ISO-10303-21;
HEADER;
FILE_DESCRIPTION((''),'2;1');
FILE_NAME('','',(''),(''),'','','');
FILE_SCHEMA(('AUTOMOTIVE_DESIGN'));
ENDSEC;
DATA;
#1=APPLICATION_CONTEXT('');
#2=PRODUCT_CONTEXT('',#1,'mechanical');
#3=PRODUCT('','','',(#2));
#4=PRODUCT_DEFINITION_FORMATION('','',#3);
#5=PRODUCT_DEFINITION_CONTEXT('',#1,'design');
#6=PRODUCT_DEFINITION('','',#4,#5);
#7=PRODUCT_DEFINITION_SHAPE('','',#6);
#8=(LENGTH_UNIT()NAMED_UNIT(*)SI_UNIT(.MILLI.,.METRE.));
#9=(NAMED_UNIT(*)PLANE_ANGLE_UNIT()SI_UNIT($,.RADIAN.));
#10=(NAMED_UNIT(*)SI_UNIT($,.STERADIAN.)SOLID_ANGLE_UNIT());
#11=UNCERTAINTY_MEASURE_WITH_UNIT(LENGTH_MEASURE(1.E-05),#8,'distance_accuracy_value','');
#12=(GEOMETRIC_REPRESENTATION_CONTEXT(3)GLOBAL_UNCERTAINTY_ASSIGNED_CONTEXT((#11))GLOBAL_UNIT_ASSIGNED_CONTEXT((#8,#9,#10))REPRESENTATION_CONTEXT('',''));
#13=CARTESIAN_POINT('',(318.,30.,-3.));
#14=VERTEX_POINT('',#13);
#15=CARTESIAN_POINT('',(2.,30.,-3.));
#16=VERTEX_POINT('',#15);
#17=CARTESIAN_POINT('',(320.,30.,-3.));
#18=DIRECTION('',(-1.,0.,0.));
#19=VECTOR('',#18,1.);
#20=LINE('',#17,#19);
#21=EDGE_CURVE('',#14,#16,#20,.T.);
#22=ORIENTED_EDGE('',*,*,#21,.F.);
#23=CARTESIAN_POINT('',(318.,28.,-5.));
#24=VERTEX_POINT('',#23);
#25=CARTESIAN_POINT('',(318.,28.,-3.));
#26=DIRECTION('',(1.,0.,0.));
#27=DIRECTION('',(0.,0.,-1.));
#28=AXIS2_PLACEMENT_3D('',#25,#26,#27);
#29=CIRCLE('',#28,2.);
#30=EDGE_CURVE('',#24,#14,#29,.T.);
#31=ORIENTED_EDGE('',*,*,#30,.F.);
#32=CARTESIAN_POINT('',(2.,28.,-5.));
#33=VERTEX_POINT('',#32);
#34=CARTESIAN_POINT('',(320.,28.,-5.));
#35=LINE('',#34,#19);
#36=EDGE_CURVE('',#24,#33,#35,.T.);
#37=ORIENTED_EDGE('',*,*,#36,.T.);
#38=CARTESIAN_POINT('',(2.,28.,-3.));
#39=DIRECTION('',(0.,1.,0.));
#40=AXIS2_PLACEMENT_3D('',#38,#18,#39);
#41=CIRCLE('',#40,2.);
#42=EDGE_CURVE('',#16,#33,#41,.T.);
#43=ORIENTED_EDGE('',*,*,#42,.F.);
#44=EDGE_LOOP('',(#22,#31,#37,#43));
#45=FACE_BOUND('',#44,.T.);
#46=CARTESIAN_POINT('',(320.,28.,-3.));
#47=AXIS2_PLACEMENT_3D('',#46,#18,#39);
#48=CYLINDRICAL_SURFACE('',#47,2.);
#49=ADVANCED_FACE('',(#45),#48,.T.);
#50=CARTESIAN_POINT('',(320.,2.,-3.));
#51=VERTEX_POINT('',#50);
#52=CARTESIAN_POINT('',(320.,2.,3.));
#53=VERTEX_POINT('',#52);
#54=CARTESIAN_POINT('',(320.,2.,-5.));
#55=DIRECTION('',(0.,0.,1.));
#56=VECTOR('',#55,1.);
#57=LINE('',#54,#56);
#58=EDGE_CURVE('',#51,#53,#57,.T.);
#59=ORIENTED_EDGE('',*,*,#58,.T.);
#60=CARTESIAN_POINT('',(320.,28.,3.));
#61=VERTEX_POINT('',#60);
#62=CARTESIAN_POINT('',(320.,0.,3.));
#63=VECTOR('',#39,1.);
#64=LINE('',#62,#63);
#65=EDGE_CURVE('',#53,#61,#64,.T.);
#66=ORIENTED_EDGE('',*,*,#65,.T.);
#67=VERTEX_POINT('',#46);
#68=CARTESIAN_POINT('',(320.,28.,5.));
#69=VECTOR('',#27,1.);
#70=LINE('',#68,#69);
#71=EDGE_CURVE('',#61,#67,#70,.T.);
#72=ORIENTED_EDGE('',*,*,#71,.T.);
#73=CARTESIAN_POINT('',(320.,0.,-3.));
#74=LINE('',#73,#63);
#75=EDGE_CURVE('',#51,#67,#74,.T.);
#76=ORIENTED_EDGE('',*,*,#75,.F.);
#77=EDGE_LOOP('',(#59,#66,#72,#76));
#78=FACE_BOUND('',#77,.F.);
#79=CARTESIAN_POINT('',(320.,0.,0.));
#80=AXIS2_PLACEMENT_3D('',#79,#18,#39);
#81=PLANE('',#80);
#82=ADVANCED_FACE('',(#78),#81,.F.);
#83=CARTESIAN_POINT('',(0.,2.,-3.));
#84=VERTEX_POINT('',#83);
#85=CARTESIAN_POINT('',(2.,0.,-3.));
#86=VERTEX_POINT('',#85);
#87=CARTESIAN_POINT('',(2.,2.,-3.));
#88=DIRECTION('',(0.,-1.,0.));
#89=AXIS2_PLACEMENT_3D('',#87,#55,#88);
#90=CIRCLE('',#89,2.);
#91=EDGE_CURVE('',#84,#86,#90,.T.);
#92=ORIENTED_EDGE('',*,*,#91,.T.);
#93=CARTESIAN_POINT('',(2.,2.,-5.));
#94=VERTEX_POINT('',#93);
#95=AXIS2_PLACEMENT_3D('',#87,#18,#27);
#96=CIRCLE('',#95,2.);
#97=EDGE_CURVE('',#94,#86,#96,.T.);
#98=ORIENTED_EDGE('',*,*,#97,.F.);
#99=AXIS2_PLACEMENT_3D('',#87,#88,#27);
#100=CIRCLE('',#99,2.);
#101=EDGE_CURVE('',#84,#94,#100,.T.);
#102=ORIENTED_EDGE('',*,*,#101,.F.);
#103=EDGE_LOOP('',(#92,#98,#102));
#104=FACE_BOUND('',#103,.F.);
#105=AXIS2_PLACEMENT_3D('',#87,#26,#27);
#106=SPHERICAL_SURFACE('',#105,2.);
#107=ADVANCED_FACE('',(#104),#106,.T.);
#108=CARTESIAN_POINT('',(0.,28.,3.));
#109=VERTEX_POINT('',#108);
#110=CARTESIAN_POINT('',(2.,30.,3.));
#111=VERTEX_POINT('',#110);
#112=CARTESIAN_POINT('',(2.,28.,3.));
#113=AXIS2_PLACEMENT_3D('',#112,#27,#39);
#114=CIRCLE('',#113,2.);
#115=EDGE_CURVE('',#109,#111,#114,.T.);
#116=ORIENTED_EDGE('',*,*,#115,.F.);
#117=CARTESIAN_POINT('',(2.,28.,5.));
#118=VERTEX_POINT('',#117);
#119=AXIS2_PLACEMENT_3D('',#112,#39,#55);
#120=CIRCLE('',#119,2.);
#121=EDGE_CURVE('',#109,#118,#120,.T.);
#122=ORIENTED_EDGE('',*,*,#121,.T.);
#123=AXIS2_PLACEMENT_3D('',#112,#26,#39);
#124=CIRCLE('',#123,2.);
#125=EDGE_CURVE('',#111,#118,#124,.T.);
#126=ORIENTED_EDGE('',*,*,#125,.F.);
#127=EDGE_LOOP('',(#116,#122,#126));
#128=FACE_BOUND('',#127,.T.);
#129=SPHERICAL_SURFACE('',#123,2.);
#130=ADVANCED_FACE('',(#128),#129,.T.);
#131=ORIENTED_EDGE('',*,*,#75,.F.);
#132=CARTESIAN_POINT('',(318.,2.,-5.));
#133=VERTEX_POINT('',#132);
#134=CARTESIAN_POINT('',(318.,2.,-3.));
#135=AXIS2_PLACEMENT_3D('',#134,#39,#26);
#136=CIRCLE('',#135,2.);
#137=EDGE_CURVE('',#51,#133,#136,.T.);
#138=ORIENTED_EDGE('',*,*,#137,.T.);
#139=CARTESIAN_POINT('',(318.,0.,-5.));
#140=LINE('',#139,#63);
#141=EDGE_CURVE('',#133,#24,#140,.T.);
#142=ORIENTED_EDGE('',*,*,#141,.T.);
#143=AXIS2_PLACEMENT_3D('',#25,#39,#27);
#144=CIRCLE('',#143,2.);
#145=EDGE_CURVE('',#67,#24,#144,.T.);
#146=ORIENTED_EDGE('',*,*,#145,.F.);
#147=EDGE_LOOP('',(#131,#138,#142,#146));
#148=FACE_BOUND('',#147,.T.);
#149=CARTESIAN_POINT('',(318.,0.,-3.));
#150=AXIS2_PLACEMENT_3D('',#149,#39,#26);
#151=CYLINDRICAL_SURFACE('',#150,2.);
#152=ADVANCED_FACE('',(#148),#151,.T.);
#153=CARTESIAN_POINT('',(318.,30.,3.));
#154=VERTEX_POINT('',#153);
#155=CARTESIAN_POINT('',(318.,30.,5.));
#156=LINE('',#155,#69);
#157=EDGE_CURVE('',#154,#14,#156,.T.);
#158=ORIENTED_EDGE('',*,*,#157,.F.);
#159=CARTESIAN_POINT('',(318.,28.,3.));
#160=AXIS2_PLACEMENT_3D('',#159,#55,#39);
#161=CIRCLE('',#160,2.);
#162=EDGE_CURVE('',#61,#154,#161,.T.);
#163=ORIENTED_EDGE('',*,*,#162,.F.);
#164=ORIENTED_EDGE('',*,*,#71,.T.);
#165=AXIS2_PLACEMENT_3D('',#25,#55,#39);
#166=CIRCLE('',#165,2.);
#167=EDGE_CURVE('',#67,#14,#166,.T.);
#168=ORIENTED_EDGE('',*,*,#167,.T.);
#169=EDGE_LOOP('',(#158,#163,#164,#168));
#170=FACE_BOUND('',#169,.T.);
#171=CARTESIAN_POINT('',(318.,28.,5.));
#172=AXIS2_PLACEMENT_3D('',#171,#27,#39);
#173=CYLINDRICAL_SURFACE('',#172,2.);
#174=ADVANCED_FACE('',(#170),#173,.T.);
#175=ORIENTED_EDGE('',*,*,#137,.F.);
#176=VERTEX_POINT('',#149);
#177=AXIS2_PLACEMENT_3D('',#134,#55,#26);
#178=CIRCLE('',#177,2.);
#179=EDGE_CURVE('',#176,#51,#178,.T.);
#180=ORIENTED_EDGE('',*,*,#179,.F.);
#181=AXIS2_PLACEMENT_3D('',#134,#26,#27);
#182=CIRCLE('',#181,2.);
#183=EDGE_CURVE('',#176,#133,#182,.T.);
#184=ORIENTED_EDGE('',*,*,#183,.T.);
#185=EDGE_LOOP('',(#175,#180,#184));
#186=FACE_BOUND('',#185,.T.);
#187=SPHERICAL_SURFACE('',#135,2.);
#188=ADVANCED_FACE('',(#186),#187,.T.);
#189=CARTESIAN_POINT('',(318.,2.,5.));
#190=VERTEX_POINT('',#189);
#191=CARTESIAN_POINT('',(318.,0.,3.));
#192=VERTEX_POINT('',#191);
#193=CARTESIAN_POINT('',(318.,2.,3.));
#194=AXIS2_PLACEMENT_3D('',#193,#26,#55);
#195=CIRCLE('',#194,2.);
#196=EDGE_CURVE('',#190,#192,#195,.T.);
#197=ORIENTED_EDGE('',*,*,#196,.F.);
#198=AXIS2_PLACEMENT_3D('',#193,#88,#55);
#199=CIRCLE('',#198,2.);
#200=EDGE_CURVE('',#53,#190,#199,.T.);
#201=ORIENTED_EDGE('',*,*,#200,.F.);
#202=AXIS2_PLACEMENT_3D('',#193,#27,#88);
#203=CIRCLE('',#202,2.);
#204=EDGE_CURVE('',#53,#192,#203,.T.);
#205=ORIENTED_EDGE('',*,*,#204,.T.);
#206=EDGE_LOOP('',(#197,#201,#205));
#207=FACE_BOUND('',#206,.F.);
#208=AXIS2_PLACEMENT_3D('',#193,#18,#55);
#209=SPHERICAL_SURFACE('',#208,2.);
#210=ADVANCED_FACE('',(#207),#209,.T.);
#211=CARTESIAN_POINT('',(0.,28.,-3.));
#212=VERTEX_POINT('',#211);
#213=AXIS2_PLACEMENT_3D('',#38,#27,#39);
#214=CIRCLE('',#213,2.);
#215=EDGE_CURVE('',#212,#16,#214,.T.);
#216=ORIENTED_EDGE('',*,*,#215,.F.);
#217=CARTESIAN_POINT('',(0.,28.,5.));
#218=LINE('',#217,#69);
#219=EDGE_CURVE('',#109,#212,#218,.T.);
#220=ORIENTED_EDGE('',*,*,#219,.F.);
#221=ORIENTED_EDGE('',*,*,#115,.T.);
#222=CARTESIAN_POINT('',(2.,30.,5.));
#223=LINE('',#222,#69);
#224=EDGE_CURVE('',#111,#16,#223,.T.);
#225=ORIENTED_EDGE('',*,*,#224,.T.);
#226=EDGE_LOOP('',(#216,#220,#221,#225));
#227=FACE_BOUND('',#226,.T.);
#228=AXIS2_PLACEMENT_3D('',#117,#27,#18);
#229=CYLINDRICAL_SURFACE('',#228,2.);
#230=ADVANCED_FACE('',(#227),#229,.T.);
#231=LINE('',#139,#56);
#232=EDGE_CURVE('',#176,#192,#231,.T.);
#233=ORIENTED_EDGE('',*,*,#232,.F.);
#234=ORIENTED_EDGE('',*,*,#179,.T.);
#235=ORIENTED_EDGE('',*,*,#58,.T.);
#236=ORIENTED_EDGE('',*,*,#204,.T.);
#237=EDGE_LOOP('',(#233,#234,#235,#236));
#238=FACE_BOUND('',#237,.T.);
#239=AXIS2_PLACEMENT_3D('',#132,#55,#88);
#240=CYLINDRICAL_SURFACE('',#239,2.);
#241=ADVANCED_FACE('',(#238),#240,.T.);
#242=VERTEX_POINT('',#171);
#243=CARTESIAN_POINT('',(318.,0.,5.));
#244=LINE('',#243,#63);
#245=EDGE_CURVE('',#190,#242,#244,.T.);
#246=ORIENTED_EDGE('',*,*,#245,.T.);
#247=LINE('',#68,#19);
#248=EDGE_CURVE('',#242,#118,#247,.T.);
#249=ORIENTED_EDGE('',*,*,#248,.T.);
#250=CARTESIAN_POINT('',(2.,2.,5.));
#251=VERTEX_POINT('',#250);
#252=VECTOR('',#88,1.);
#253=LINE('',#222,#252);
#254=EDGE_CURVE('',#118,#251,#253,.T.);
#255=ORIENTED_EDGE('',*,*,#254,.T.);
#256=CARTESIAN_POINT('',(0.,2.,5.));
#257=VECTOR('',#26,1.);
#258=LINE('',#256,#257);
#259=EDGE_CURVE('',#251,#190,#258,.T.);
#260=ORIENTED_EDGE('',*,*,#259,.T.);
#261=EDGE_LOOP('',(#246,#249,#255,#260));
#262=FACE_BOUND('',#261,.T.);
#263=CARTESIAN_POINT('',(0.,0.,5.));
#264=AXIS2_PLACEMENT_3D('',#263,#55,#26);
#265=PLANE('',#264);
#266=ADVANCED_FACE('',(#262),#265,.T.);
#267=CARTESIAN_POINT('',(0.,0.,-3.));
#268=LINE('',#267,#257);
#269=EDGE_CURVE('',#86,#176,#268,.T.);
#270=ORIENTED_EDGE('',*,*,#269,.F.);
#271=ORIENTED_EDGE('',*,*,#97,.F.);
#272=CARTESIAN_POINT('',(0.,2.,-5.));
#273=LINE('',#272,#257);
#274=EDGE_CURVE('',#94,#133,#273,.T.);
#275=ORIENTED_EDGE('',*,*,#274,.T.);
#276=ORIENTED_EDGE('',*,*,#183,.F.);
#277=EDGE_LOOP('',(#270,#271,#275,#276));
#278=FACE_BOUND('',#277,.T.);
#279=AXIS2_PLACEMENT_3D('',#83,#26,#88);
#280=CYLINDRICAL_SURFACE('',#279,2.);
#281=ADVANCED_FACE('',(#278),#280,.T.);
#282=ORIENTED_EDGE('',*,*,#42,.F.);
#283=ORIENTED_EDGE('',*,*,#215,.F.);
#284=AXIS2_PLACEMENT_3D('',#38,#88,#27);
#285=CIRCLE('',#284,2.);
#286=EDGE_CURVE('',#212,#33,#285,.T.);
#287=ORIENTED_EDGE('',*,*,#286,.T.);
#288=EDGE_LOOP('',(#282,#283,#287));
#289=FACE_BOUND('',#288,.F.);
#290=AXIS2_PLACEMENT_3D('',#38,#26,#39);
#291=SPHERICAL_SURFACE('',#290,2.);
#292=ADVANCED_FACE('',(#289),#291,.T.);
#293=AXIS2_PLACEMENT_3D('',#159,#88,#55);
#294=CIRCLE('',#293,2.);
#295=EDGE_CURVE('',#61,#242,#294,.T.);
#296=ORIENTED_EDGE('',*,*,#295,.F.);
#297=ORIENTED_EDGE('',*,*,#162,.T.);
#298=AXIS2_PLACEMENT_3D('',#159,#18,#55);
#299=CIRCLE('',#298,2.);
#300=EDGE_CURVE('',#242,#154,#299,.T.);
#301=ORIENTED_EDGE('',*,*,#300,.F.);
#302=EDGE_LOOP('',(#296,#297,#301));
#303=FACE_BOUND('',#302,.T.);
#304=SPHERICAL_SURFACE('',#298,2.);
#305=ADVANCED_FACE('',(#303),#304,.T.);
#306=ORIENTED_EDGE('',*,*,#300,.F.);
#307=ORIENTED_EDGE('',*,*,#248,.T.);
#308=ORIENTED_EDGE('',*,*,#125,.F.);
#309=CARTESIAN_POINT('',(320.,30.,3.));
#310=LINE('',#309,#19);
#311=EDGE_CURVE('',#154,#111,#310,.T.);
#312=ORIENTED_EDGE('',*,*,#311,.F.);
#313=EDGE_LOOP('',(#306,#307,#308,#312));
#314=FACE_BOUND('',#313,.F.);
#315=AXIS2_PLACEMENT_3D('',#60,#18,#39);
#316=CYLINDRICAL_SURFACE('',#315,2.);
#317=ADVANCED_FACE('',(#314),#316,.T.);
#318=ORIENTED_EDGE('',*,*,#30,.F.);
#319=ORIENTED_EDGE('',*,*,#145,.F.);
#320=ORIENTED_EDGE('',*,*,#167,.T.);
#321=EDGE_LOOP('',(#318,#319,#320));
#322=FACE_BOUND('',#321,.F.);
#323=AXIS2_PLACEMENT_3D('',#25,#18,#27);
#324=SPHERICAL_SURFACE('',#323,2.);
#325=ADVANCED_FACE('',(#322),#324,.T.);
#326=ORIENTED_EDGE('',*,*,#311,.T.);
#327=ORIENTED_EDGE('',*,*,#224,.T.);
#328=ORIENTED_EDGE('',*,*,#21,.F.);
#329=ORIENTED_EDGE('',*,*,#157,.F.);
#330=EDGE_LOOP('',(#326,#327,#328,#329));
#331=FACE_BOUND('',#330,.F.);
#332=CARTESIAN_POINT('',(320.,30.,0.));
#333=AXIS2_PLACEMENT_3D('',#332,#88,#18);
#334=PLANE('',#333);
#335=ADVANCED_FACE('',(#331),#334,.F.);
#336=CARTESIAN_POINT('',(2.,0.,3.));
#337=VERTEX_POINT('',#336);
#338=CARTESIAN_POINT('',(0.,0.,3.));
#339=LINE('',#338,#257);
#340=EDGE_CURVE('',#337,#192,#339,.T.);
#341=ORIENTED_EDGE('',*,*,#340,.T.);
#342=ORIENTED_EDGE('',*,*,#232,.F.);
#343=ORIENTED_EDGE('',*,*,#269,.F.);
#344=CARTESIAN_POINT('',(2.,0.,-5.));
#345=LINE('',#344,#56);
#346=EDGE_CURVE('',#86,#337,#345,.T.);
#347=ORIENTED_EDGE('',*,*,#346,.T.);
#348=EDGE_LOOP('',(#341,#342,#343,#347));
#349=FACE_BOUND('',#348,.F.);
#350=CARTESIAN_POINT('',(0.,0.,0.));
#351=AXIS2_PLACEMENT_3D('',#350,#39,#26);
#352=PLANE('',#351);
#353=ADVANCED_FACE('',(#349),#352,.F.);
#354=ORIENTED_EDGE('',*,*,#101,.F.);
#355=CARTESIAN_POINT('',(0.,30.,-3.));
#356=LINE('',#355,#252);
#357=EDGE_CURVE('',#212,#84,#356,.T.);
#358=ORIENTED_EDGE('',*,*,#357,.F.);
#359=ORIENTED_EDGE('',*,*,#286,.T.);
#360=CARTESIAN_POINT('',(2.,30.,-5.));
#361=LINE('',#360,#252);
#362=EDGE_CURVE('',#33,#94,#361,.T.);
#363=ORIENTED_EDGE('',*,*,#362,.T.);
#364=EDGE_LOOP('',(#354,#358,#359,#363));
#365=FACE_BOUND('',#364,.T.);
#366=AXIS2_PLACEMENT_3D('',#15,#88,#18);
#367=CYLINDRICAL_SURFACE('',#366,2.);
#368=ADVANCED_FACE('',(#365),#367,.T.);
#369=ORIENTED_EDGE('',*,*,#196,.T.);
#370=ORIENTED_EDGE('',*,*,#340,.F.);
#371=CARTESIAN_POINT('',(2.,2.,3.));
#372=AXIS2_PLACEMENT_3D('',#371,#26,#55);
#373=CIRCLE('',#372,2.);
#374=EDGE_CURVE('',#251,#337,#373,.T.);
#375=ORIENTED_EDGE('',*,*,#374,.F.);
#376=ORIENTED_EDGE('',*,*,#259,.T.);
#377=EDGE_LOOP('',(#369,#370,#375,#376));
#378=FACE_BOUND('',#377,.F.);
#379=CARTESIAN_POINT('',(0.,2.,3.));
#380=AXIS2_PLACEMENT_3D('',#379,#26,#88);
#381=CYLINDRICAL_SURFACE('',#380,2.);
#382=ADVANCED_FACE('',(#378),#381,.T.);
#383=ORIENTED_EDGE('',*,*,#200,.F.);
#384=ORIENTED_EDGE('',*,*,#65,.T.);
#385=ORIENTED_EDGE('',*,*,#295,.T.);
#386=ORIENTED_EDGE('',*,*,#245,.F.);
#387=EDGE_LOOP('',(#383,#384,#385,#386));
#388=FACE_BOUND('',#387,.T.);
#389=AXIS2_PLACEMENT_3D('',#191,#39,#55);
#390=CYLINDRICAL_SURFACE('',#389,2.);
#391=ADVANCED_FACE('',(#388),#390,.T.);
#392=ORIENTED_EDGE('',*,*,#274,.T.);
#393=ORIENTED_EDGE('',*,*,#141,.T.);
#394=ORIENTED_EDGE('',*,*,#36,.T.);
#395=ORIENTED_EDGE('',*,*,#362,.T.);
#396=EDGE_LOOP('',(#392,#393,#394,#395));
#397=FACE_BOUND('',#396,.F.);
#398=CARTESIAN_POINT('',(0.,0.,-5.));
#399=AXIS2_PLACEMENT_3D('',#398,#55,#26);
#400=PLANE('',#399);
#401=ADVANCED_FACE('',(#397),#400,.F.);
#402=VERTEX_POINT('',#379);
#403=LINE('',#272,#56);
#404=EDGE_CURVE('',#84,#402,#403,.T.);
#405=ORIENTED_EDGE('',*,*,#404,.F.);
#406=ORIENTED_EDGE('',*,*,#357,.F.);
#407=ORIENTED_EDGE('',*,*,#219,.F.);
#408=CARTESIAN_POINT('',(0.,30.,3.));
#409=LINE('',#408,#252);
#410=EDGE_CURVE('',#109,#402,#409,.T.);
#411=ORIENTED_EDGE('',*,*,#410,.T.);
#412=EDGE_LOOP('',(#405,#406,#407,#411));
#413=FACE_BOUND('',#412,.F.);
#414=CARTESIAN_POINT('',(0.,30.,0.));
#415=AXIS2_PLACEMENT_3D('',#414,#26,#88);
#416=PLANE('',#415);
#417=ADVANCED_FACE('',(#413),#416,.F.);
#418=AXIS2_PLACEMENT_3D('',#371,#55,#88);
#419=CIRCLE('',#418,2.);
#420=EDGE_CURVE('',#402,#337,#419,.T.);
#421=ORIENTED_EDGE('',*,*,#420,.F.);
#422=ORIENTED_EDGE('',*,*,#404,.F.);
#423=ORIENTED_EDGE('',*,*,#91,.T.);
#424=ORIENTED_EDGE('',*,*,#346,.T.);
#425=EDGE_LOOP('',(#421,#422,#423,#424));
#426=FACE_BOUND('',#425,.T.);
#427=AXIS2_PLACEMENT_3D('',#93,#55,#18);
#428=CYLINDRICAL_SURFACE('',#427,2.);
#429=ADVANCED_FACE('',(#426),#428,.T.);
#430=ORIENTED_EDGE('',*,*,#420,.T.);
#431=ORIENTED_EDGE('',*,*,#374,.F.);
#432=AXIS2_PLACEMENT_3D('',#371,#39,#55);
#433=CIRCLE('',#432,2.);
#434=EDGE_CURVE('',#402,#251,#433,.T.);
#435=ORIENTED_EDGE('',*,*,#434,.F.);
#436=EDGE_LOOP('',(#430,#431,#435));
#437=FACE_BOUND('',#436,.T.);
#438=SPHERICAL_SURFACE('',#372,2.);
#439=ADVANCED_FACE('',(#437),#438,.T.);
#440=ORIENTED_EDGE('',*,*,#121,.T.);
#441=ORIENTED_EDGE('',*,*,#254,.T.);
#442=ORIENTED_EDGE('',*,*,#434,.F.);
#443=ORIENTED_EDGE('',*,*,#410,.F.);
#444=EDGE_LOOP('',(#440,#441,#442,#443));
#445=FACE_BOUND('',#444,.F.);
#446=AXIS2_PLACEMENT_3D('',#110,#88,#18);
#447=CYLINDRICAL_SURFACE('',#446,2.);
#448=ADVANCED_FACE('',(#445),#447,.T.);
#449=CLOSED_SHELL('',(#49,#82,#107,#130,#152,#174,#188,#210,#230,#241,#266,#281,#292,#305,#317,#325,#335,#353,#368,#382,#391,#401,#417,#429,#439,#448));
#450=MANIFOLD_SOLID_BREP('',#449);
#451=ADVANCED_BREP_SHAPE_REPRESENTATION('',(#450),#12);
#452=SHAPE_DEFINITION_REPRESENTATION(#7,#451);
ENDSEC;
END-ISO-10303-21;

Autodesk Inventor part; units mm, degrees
ref_plane "YZ Plane" through (0, 0, 0) normal (1, 0, 0) x (0, 1, 0)
ref_plane "XZ Plane" through (0, 0, 0) normal (0, 1, 0) x (-1, 0, 0)
ref_plane "XY Plane" through (0, 0, 0) normal (0, 0, 1) x (1, 0, 0)
sketch "Sketch1" plane through (0, 0, 0) normal (0, 0, 1) x (1, 0, 0)
  line L0 (0, 0) -> (320, 0)
  line L1 (320, 0) -> (320, 30)
  line L2 (320, 30) -> (0, 30)
  line L3 (0, 30) -> (0, 0)
  dimension "d0" = 320
  dimension "d1" = 30
extrude "Extrusion1" add sketch "Sketch1" along normal mid plane 10
fillet "Fillet1" radius 2 12 edges at (160, 30, 5) (160, 30, -5) (160, 0, 5) (320, 15, 5) (320, 15, -5) (320, 30, 0) (320, 0, 0) (160, 0, -5) (0, 30, 0) (0, 15, 5) (0, 15, -5) (0, 0, 0)
properties part number "Chassis base shaft"
